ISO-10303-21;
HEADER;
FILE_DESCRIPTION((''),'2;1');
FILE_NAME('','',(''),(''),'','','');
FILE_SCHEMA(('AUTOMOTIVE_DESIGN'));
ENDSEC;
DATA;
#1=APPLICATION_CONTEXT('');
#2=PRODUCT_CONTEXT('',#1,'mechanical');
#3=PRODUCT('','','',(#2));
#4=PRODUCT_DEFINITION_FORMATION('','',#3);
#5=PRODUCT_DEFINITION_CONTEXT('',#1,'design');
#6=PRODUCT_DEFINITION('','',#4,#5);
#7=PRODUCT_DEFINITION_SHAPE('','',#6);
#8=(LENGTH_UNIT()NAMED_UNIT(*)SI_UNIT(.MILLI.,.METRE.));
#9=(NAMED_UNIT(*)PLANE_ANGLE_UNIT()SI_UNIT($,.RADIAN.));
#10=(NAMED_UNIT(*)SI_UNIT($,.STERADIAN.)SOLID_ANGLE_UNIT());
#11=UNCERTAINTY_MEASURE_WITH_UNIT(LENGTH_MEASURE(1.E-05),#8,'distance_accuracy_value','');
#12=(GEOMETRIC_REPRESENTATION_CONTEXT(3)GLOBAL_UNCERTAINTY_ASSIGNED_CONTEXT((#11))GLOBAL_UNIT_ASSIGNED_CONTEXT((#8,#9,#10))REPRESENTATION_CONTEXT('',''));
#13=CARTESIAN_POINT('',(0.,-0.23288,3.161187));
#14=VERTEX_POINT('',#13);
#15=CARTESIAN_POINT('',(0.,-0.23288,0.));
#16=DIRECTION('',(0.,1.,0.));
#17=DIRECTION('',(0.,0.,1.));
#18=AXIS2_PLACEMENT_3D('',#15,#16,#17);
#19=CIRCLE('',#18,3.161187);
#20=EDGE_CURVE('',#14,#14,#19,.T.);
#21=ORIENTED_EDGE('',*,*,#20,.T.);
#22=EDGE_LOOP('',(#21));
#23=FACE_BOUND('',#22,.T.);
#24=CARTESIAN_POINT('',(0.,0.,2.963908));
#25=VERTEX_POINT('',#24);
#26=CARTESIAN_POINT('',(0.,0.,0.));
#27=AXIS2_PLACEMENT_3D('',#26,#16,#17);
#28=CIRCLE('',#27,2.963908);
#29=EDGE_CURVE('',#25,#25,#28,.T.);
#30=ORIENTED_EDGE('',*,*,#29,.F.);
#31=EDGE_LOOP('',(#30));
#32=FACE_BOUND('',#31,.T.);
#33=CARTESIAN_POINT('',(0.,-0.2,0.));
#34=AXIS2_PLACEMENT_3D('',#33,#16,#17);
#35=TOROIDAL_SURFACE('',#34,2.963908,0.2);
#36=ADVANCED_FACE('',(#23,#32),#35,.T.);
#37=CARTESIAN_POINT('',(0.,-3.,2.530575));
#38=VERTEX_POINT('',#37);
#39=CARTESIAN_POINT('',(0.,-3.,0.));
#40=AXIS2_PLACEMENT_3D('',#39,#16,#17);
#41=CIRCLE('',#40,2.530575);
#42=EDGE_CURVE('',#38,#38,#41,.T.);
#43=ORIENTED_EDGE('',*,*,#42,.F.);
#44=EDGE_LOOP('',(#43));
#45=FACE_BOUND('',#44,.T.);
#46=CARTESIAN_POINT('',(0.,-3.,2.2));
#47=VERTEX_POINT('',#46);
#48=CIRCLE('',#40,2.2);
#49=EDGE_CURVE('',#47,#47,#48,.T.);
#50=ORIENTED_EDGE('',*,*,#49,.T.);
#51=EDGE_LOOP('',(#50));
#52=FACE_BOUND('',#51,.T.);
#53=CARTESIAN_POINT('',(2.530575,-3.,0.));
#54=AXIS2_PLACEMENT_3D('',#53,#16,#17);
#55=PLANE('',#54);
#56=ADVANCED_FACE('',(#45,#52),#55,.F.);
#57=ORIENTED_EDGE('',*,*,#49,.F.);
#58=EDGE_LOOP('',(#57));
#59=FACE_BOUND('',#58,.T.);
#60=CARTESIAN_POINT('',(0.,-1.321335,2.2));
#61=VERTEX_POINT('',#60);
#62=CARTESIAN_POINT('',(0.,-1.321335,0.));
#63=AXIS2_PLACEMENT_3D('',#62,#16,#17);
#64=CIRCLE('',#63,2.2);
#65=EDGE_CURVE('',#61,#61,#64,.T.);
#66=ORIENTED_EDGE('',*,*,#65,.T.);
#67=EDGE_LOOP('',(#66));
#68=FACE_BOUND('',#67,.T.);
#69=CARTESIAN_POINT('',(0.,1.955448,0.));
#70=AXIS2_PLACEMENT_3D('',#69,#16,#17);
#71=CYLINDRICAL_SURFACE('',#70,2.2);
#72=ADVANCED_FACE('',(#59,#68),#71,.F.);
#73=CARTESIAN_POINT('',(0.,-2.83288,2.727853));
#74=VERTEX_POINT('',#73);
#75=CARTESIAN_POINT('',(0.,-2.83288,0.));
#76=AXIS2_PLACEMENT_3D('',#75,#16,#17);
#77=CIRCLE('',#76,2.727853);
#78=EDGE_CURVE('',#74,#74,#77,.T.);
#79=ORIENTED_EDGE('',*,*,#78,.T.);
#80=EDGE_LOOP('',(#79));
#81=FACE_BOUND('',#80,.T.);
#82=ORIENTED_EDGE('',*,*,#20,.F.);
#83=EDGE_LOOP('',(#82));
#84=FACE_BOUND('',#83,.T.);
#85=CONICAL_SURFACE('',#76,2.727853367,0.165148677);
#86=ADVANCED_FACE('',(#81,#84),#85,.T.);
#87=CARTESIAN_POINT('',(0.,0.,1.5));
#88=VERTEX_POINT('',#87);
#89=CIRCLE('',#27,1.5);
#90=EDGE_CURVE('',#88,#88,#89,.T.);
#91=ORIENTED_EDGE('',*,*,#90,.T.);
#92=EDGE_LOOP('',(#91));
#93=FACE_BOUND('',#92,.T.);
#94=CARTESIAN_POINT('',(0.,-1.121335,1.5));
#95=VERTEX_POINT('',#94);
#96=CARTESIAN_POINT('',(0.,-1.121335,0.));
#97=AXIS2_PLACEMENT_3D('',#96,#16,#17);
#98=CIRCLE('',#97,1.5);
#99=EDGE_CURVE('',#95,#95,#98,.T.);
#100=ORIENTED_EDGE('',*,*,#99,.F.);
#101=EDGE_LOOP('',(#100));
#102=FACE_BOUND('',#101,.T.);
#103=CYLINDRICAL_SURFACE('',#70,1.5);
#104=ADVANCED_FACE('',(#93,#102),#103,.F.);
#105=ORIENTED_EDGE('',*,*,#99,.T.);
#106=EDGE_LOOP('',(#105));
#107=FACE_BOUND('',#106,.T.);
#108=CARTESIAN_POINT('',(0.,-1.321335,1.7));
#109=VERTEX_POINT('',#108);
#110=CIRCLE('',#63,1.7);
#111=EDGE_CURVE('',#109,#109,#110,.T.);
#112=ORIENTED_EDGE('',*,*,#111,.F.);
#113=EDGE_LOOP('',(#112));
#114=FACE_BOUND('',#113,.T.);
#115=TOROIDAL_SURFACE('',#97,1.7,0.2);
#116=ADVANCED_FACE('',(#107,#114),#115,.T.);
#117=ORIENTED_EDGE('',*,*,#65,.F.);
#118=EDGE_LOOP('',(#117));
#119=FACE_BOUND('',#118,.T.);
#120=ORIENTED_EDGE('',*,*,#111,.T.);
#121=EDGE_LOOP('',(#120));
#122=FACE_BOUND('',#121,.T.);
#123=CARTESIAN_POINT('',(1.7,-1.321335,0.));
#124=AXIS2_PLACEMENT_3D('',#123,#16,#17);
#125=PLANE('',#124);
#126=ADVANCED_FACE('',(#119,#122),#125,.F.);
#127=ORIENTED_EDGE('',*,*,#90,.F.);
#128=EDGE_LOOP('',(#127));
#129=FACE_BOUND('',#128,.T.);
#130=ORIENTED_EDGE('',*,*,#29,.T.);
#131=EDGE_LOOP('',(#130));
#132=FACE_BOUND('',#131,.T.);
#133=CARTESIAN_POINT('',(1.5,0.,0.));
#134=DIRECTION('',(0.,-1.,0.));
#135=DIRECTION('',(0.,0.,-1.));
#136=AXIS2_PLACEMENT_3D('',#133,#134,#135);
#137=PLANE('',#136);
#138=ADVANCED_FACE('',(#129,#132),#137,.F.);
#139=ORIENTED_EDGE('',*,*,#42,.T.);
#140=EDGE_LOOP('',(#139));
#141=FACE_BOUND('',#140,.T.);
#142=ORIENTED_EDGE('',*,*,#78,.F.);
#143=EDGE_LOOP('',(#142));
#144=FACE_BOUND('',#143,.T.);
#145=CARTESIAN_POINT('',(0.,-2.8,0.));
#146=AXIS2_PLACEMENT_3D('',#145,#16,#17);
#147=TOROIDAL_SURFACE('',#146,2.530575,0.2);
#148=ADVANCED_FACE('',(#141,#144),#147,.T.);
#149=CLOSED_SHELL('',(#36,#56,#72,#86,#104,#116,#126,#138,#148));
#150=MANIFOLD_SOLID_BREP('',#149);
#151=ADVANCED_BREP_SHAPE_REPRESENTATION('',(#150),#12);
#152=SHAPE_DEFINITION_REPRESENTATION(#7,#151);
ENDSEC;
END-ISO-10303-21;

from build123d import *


with BuildPart() as part:
    # Sketch1 → Revolve1 (revolve)
    with BuildSketch(Plane.XY, mode=Mode.PRIVATE) as revolve1_sk:
        with BuildLine():
            Line((1.5, 0), (2.963907916, 0))
            ThreePointArc((2.963907916, 0), (3.116511912, -0.070725021), (3.1611867, -0.232879797))
            Line((3.1611867, -0.232879797), (2.727853367, -2.832879797))
            ThreePointArc((2.727853367, -2.832879797), (2.659849562, -2.952603996), (2.530574582, -3))
            Line((2.530574582, -3), (2.2, -3))
            Line((2.2, -3), (2.2, -1.32133537))
            Line((2.2, -1.32133537), (1.7, -1.32133537))
            ThreePointArc((1.7, -1.32133537), (1.558578644, -1.262756726), (1.5, -1.12133537))
            Line((1.5, -1.12133537), (1.5, 0))
        make_face()
    revolve(revolve1_sk.sketch.rotate(Axis((0, 1.955447774, 0), (0, -1, 0)), 90), axis=Axis((0, 1.955447774, 0), (0, -1, 0)))


solid = part.part
